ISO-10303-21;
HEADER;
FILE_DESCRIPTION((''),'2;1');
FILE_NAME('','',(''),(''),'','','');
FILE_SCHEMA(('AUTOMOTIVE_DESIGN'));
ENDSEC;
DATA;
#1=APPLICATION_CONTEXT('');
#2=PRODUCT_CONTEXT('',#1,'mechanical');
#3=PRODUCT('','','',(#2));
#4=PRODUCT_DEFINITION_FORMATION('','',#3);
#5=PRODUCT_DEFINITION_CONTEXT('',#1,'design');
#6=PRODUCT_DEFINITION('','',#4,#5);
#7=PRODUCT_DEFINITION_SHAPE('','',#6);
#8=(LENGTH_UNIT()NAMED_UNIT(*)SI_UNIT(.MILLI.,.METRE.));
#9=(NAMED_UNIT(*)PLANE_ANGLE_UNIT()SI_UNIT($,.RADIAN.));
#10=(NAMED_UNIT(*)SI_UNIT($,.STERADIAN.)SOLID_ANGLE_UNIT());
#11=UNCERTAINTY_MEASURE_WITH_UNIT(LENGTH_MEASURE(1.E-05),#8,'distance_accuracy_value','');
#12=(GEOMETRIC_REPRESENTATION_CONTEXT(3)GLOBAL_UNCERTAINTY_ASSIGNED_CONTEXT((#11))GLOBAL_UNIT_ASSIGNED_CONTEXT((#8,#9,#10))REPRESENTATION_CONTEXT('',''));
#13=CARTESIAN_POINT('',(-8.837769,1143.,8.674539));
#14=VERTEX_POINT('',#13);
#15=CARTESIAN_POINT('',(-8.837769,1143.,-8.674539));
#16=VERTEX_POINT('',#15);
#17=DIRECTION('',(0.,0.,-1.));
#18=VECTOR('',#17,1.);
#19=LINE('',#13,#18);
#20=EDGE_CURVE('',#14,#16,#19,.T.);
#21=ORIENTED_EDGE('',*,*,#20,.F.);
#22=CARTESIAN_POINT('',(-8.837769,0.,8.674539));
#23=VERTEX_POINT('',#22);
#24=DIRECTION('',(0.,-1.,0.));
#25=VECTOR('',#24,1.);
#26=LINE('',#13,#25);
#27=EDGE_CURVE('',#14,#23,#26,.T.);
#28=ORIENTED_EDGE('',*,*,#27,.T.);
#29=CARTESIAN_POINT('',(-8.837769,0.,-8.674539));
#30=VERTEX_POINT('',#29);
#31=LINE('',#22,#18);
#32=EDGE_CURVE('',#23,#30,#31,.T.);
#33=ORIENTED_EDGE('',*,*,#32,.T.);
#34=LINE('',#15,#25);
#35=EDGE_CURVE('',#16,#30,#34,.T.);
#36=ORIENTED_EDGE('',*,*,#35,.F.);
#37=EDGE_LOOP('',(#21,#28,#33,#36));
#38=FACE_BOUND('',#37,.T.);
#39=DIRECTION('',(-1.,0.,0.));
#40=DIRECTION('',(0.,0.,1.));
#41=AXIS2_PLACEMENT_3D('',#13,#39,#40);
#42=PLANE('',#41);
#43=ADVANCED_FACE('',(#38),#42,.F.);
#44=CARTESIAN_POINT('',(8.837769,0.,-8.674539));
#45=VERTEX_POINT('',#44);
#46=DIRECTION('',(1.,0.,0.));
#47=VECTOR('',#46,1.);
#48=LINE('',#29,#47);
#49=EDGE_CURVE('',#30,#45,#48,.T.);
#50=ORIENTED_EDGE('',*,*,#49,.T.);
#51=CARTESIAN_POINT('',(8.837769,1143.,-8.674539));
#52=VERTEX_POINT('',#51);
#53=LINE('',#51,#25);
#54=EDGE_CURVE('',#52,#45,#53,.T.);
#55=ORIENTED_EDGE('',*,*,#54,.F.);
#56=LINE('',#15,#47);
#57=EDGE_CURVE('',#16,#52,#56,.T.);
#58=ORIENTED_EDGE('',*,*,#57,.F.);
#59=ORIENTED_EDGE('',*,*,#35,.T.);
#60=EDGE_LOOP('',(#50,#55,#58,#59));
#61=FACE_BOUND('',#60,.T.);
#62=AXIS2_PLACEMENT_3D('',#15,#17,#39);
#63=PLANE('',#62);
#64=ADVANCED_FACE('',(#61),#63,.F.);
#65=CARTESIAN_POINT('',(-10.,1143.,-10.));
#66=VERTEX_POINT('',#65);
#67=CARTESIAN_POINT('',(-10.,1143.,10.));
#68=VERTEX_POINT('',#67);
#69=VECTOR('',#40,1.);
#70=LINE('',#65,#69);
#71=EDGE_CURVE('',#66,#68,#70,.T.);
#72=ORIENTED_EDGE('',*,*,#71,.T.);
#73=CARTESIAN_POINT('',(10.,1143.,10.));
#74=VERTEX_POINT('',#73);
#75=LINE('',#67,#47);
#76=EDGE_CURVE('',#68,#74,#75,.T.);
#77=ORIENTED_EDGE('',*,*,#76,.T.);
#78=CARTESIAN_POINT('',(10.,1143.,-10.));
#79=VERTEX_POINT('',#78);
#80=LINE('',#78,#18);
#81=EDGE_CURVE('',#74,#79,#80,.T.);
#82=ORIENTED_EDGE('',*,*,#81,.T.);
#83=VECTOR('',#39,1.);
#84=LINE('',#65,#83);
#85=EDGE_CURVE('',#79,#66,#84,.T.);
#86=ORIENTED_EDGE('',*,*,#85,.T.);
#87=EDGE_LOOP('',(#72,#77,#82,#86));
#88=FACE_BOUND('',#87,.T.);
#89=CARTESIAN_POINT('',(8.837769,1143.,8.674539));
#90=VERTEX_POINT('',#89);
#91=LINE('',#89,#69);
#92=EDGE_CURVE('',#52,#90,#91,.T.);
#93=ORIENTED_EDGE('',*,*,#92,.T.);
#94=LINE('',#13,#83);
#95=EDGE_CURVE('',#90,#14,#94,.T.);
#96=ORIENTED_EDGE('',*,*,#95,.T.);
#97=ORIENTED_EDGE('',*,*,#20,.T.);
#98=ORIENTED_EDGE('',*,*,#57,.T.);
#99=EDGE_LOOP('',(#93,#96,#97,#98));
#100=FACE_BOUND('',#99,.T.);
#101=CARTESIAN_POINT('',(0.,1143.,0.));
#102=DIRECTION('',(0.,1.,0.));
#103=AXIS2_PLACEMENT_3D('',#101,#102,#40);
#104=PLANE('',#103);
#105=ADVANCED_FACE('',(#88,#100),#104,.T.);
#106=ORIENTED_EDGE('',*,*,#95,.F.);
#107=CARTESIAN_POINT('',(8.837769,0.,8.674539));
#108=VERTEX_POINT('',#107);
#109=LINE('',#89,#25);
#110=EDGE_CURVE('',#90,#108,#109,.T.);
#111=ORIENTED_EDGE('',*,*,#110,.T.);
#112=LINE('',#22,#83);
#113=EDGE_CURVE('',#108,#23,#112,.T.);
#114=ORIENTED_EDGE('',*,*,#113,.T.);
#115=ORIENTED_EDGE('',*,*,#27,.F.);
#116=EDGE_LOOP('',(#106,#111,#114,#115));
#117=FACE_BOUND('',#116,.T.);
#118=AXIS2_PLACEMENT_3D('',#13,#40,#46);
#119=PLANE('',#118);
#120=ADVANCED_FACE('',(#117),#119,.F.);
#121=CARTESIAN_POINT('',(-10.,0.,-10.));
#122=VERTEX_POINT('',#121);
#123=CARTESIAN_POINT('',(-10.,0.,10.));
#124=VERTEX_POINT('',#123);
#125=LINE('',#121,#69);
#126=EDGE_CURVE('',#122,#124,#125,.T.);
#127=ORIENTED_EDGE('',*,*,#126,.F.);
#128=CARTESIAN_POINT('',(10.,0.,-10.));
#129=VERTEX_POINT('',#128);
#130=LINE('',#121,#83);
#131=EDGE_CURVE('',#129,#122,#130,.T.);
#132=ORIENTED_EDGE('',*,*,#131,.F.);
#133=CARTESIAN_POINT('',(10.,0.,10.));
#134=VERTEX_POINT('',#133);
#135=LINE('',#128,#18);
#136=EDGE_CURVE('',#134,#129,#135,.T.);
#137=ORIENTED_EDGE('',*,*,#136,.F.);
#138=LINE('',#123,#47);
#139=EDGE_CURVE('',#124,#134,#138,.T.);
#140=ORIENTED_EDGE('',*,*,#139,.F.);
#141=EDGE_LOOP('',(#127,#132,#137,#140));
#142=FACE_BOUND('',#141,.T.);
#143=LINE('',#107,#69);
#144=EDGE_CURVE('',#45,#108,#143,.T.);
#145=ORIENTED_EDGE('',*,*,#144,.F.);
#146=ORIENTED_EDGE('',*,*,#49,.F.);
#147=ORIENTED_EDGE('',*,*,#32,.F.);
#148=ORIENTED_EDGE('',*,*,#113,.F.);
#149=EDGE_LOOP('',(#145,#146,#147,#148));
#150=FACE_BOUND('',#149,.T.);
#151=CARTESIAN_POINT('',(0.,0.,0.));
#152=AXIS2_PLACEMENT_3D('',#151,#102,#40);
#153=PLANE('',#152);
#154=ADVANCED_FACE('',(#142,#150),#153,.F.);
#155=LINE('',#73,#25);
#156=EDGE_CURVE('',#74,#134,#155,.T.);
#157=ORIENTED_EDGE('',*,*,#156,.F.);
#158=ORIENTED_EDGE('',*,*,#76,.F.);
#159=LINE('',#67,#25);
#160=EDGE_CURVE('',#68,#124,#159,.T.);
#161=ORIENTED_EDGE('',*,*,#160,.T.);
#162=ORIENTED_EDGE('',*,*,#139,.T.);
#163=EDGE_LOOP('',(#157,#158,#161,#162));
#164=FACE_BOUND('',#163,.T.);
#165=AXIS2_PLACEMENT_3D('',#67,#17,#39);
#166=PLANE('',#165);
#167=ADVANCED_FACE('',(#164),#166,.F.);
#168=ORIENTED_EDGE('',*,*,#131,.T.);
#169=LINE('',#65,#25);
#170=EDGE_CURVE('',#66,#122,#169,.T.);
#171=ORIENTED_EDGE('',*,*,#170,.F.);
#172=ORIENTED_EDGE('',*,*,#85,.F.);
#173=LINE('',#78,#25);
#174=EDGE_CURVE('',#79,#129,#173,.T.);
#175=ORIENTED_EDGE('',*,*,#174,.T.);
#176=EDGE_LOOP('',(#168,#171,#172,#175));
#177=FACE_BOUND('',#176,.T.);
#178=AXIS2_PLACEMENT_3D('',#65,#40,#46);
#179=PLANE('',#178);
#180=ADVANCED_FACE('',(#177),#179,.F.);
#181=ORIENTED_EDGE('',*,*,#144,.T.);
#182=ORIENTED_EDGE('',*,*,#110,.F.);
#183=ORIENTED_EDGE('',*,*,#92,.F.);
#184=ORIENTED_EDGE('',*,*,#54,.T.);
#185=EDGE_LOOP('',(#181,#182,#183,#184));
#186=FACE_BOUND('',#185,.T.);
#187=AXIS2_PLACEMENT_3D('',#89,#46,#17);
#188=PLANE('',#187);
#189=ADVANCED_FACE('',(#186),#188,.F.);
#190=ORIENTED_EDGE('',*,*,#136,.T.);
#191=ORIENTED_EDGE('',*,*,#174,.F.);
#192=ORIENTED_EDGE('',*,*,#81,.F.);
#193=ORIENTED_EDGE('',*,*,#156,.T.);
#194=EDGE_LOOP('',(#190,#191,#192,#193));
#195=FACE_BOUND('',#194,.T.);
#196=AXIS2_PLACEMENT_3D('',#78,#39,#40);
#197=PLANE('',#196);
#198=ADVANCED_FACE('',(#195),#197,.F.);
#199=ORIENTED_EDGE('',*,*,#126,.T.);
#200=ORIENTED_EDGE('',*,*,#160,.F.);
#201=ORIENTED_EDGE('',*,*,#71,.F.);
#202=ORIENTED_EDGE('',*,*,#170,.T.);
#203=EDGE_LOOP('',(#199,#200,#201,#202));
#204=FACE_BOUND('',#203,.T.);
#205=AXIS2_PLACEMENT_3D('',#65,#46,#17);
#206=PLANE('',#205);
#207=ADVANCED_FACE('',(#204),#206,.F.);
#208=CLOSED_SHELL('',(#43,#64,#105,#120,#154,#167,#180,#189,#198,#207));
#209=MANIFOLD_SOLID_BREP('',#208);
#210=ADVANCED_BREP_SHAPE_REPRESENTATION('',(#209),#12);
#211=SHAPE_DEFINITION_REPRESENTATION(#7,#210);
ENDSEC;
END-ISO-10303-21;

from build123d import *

# Parameters (mm, degrees)
SKETCH1_W           = 20
SKETCH1_H           = 20
BOSS_EXTRUDE1_DEPTH = 1143
SKETCH2_W           = 17.675538218
SKETCH2_H           = 17.34907709
CUT_EXTRUDE1_DEPTH  = 1143


with BuildPart() as part:
    # Sketch1 → Boss-Extrude1 (new body)
    with BuildSketch(Plane(origin=(0, 0, 0), x_dir=(1, 0, 0), z_dir=(0, 1, 0))):
        Rectangle(SKETCH1_W, SKETCH1_H)
    extrude(amount=BOSS_EXTRUDE1_DEPTH)

    # Sketch2 → Cut-Extrude1 (cut)
    with BuildSketch(Plane.XZ):
        Rectangle(SKETCH2_W, SKETCH2_H)
    extrude(amount=-CUT_EXTRUDE1_DEPTH, mode=Mode.SUBTRACT)


solid = part.part
